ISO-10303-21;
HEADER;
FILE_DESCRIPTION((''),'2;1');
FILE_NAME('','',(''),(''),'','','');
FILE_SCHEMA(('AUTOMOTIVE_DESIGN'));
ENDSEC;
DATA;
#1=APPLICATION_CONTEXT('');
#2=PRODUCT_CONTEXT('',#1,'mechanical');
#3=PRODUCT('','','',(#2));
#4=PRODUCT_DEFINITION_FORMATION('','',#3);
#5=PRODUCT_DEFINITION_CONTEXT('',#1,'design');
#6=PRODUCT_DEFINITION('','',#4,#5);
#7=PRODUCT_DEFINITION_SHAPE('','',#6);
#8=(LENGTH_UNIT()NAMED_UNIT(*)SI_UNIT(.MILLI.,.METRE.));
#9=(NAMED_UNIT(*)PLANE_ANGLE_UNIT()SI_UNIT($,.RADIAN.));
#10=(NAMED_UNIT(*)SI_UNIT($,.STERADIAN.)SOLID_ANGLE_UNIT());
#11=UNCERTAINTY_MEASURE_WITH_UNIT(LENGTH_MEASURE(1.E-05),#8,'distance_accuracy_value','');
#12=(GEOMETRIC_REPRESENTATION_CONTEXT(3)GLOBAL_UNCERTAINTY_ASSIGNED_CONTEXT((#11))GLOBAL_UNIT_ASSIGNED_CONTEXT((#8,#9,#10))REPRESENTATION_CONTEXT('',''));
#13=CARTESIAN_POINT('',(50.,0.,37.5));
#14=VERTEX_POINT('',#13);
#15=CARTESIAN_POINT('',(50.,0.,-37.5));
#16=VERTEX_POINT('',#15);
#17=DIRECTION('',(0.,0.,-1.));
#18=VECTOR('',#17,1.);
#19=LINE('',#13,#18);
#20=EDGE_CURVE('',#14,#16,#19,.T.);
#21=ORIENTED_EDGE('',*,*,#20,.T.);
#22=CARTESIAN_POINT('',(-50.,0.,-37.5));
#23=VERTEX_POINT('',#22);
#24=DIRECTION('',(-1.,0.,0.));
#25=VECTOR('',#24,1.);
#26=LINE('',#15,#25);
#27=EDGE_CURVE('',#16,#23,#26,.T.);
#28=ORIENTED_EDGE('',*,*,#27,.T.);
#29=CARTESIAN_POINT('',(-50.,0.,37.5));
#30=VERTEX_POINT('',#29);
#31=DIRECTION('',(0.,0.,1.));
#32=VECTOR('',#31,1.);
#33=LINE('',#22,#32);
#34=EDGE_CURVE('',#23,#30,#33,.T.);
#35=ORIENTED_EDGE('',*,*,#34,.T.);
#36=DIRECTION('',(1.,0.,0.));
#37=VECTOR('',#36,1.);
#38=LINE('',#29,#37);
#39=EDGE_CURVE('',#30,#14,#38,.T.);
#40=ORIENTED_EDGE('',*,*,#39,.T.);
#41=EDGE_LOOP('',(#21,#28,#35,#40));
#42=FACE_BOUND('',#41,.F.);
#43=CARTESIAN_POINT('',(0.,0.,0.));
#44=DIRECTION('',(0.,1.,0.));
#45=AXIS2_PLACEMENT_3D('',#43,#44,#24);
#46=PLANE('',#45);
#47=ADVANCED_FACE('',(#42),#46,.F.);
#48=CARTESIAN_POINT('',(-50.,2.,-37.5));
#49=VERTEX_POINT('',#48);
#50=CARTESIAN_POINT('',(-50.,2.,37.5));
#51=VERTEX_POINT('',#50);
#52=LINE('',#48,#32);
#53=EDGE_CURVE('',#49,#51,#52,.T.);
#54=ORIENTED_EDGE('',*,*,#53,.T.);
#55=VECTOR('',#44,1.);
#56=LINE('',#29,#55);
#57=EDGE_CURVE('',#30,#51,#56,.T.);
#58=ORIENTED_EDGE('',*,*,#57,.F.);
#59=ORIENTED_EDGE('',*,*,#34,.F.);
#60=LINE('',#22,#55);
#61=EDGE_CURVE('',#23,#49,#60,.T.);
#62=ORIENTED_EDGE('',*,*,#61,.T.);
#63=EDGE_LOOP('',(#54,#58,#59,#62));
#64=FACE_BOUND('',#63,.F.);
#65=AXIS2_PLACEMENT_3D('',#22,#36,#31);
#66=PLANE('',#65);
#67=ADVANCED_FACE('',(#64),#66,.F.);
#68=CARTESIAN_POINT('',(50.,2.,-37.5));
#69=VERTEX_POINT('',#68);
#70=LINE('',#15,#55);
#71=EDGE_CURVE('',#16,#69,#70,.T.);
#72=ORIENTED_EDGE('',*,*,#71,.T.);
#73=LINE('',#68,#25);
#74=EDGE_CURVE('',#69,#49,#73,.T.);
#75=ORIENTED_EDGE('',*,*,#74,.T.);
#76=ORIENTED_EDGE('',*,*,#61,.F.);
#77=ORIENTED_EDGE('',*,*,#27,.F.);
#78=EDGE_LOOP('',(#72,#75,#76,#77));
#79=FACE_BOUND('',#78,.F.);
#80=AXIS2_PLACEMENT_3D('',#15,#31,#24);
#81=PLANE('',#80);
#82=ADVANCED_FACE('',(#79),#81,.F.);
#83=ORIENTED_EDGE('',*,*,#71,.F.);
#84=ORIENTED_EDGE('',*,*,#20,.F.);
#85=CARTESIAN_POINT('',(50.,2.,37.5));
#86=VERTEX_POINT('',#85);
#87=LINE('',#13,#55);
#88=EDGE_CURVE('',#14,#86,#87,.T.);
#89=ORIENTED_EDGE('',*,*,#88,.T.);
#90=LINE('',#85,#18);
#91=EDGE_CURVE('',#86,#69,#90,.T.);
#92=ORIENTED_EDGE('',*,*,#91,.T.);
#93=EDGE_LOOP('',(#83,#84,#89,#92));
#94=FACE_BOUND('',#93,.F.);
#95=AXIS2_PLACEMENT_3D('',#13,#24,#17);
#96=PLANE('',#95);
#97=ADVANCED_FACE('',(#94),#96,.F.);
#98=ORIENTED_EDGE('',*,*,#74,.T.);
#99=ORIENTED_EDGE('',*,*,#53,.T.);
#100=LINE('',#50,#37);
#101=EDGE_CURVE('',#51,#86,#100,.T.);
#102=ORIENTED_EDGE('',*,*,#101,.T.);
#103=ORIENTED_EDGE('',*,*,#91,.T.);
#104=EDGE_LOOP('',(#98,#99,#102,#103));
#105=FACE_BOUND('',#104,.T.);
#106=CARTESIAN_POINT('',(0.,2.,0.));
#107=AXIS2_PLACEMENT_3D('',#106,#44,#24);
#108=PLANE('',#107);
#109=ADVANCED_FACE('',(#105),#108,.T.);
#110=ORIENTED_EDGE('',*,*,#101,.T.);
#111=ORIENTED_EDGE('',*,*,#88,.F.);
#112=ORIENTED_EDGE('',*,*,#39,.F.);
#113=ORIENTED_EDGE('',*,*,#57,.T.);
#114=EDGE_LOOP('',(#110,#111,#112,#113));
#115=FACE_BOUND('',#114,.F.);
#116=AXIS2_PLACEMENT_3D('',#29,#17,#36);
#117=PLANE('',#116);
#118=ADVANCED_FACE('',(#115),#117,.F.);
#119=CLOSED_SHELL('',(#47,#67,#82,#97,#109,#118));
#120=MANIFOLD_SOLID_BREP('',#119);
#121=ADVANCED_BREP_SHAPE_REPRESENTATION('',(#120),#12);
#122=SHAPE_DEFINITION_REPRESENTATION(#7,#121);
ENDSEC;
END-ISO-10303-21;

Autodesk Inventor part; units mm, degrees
ref_plane "YZ Plane" through (0, 0, 0) normal (1, 0, 0) x (0, 1, 0)
ref_plane "XZ Plane" through (0, 0, 0) normal (0, 1, 0) x (-1, 0, 0)
ref_plane "XY Plane" through (0, 0, 0) normal (0, 0, 1) x (1, 0, 0)
sketch "Sketch1" plane through (0, 0, 0) normal (0, 1, 0) x (-1, 0, 0)
  line L0 (50, 37.5) -> (-50, 37.5)
  line L1 (-50, 37.5) -> (-50, -37.5)
  line L2 (-50, -37.5) -> (50, -37.5)
  line L3 (50, -37.5) -> (50, 37.5)
  line L4 (50, 37.5) -> (-50, -37.5) construction
  line L5 (-50, 37.5) -> (50, -37.5) construction
  point P0 (0, 0)
  dimension "d0" = 100
  dimension "d1" = 75
extrude "Extrusion1" add sketch "Sketch1" along normal blind 2
properties part number "veraboard" material "Copper"
